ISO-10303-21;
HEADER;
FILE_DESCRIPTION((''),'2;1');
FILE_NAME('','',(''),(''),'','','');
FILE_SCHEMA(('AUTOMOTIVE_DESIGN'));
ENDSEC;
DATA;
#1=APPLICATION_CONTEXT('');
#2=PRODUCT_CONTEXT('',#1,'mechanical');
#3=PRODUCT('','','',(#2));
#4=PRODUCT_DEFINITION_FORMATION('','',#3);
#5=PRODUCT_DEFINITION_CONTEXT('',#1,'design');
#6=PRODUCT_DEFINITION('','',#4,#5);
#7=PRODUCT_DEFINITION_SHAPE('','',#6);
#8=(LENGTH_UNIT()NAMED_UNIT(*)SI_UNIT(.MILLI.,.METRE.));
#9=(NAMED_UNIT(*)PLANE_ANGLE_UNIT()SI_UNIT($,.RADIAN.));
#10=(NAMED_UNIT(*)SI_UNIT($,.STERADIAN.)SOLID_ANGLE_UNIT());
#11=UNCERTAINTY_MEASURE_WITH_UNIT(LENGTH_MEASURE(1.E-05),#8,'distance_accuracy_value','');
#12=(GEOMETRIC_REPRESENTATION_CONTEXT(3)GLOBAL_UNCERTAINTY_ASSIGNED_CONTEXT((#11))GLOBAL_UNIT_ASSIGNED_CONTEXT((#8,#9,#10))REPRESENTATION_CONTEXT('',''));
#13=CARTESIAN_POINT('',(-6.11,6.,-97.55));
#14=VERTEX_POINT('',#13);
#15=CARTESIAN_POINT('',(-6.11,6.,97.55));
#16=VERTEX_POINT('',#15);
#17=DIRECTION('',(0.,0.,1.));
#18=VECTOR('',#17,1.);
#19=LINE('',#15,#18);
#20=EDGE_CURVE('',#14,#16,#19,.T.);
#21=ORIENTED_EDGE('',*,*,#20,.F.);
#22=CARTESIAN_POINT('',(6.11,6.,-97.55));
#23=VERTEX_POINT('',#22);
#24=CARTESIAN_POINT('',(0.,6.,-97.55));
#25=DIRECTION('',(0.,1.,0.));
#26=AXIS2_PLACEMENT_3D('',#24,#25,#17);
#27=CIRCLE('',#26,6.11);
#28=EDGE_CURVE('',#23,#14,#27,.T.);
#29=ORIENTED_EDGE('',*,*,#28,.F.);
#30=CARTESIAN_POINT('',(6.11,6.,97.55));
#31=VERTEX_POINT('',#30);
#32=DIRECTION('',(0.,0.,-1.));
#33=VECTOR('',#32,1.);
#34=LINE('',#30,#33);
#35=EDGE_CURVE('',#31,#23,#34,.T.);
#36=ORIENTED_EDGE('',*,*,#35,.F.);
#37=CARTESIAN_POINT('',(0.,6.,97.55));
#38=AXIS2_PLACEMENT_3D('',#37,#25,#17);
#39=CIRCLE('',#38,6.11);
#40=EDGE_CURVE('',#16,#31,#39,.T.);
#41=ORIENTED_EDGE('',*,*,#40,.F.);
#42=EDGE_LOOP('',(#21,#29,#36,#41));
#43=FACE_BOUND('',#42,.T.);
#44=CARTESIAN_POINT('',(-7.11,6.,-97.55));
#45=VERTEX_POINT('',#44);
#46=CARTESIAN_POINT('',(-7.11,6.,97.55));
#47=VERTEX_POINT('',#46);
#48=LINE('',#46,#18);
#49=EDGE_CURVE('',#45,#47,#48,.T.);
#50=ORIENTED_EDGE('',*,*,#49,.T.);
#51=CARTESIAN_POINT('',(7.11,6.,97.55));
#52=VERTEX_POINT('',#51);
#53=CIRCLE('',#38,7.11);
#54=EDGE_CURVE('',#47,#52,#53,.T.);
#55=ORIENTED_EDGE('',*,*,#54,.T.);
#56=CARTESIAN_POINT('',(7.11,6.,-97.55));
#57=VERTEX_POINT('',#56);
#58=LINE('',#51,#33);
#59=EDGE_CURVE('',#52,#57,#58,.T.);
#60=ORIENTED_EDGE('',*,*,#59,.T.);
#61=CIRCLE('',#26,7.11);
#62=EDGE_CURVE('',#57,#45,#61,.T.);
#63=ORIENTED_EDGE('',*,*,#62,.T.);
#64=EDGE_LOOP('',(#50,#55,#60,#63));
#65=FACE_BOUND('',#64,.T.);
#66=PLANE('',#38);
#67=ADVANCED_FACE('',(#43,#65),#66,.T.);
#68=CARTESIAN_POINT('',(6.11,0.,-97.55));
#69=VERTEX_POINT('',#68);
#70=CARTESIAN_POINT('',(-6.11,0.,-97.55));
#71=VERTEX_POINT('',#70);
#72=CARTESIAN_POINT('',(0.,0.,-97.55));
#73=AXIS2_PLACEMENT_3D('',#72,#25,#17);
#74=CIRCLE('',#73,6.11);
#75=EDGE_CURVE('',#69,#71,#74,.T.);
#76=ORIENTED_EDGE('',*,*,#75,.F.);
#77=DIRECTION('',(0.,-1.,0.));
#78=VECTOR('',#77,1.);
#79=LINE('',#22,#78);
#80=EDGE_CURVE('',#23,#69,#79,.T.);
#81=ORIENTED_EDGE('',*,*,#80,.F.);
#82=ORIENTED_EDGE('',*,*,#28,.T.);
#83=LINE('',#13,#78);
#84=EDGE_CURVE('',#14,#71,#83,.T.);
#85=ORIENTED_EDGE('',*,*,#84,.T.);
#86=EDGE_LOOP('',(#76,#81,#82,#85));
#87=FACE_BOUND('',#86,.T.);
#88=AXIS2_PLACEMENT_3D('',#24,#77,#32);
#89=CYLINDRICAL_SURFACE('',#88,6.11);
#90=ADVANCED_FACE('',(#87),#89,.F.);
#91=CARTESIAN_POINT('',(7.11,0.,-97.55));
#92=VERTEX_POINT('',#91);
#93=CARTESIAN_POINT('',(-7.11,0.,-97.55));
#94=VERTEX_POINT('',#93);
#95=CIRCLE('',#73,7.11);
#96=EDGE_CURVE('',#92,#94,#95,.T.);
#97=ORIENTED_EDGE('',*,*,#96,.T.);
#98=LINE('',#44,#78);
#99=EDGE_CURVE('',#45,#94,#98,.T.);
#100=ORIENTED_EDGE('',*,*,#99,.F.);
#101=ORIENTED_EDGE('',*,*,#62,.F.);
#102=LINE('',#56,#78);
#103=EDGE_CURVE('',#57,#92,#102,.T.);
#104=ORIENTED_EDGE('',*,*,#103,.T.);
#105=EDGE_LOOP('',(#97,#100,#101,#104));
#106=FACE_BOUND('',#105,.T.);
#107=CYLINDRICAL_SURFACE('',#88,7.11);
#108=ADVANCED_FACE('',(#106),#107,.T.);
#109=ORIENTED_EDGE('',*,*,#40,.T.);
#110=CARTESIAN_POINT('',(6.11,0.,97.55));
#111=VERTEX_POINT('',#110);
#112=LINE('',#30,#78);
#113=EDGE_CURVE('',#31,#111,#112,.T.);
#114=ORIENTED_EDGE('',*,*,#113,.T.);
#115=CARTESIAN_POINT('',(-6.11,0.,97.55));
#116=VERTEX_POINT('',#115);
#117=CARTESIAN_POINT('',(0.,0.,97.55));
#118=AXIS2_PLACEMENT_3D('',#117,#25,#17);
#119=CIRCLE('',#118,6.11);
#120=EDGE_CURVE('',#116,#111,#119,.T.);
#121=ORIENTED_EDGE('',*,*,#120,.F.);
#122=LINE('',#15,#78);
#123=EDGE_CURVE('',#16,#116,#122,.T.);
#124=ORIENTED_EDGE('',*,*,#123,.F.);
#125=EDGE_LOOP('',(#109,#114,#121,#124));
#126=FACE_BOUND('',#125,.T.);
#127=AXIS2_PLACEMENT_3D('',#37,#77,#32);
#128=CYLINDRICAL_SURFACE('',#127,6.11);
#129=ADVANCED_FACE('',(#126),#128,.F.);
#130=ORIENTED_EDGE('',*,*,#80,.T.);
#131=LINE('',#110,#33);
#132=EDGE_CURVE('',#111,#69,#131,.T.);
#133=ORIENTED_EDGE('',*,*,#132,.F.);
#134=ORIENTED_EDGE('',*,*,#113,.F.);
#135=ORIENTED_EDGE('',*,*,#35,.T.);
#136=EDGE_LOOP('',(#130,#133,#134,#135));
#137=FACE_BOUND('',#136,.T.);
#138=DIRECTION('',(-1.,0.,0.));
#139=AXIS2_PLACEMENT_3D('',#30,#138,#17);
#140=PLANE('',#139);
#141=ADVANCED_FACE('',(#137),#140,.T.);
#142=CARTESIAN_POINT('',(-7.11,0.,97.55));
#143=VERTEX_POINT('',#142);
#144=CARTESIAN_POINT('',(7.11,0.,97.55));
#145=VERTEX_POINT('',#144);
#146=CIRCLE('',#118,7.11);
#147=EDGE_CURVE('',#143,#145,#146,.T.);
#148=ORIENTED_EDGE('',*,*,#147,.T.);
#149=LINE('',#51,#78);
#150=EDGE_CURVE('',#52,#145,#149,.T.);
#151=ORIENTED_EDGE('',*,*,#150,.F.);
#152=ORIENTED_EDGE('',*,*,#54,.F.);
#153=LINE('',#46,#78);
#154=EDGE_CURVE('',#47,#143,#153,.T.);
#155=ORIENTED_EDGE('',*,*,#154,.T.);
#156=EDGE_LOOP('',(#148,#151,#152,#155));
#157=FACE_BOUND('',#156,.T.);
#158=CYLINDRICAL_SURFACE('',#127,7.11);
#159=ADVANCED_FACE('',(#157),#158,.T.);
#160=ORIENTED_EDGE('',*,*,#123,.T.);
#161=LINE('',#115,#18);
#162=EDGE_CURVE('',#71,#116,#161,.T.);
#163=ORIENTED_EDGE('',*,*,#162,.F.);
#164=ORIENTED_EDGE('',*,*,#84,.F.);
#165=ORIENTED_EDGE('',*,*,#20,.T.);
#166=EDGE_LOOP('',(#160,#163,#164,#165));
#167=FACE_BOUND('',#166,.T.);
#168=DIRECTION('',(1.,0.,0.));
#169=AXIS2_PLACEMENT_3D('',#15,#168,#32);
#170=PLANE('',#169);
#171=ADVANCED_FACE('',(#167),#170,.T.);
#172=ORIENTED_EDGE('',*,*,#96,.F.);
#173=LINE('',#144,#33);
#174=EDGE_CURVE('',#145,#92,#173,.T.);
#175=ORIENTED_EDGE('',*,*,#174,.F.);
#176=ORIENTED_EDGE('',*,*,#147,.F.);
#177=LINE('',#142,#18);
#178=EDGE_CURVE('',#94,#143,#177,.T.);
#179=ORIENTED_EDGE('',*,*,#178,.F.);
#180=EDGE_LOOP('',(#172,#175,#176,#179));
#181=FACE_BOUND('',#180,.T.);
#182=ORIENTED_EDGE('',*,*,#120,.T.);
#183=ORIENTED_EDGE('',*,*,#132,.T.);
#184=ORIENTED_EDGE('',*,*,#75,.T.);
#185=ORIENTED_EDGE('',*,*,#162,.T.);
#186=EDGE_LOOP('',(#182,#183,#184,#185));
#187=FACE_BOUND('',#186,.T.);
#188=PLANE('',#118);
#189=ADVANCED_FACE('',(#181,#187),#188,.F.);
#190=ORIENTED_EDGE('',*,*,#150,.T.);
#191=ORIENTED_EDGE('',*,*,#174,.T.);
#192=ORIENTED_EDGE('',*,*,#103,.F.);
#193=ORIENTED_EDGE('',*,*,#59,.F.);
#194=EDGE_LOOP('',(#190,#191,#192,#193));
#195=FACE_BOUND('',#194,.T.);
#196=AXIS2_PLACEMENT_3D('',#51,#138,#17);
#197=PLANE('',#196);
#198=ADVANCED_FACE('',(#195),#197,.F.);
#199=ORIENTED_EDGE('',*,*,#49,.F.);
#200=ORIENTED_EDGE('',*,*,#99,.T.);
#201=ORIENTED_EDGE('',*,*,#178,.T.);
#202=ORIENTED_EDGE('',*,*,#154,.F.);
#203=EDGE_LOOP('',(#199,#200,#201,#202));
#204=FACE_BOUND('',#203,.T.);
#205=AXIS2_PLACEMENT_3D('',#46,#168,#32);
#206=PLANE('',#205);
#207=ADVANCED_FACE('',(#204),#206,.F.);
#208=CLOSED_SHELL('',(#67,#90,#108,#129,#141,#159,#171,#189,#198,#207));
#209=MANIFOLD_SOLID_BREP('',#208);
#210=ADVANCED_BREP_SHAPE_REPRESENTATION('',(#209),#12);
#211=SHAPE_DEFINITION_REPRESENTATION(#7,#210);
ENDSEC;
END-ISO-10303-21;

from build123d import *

# Parameters (mm, degrees)
EXTRUDE_1_DEPTH = 6


with BuildPart() as part:
    # 草图1 → 凸台-拉伸1 (new body)
    with BuildSketch(Plane(origin=(0, 0, 0), x_dir=(1, 0, 0), z_dir=(0, 1, 0))):
        with BuildLine():
            Line((-7.11, -97.55), (-7.11, 97.55))
            ThreePointArc((-7.11, 97.55), (0, 104.66), (7.11, 97.55))
            Line((7.11, 97.55), (7.11, -97.55))
            ThreePointArc((7.11, -97.55), (0, -104.66), (-7.11, -97.55))
        make_face()
        with BuildLine():
            Line((-6.11, -97.55), (-6.11, 97.55))
            ThreePointArc((-6.11, 97.55), (0, 103.66), (6.11, 97.55))
            Line((6.11, 97.55), (6.11, -97.55))
            ThreePointArc((6.11, -97.55), (0, -103.66), (-6.11, -97.55))
        make_face(mode=Mode.SUBTRACT)
    extrude(amount=EXTRUDE_1_DEPTH)


solid = part.part
